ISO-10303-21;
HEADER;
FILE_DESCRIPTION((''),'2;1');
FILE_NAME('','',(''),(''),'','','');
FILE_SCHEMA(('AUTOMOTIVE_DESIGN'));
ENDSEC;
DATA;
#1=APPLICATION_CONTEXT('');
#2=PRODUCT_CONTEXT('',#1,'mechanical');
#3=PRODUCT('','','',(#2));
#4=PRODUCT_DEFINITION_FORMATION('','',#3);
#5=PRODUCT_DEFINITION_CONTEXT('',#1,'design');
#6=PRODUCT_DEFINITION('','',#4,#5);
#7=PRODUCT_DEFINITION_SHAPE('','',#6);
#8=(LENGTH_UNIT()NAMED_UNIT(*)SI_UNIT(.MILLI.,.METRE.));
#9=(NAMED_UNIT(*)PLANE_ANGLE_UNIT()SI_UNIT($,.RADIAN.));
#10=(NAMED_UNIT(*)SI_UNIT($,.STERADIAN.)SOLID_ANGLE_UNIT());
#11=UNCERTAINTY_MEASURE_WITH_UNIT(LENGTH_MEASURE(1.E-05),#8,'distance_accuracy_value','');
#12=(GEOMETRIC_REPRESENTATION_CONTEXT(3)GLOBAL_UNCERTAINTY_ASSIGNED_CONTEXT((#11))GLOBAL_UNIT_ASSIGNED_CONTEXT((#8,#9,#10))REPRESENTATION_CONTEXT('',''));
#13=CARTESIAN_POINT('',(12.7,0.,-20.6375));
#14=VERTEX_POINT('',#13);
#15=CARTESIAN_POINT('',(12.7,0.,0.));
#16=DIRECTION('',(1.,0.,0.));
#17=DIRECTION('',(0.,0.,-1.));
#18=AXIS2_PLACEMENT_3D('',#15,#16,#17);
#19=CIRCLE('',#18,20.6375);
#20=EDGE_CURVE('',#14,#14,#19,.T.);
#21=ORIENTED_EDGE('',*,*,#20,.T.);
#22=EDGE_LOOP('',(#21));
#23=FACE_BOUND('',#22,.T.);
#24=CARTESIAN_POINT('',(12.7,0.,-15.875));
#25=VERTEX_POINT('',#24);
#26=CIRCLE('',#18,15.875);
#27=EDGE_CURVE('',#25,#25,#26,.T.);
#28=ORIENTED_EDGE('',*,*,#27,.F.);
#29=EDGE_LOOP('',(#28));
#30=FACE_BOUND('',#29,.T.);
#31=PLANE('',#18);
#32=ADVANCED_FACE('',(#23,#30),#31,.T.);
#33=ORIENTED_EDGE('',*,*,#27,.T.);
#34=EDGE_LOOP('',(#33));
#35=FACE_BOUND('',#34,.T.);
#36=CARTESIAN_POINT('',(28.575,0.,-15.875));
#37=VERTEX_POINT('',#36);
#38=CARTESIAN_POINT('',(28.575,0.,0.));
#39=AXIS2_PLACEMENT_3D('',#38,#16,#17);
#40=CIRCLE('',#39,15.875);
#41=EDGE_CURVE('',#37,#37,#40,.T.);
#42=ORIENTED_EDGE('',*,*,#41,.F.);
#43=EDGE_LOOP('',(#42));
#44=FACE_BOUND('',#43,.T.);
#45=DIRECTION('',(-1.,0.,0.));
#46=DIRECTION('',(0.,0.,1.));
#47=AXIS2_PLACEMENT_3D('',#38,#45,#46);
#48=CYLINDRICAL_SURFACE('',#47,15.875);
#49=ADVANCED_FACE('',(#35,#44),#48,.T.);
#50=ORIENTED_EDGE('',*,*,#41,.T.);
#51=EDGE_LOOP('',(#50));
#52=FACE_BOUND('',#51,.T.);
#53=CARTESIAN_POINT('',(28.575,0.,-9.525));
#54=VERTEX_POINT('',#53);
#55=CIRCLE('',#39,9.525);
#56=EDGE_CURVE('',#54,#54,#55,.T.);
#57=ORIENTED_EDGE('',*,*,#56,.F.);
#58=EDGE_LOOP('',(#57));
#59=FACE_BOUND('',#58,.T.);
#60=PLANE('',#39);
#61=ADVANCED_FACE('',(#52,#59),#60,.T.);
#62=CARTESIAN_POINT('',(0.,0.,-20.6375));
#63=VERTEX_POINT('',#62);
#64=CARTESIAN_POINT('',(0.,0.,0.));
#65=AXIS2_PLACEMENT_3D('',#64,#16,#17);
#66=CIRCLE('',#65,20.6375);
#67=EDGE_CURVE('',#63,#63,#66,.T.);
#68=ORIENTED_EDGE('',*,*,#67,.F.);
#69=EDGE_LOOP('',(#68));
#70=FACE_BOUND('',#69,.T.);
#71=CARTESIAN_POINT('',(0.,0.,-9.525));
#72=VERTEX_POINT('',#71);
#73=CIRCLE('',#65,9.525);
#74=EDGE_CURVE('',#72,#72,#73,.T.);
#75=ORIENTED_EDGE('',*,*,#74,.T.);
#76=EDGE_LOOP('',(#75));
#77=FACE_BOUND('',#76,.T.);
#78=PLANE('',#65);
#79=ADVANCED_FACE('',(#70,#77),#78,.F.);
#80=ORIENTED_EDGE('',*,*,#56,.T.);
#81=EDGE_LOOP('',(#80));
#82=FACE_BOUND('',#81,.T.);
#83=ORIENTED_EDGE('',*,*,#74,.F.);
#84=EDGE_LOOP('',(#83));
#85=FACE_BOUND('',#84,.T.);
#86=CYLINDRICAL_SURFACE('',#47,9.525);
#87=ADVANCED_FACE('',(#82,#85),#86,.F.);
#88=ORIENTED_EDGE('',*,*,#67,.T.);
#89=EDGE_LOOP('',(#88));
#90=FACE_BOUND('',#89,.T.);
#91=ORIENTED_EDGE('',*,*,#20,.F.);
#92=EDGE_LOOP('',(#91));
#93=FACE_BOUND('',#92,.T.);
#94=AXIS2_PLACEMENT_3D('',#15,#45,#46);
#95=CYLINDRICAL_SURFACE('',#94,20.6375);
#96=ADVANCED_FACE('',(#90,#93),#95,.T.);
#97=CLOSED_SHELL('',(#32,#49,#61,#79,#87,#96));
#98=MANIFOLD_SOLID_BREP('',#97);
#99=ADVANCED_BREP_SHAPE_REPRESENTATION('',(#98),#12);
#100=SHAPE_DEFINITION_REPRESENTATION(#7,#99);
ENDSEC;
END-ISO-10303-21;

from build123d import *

# Parameters (mm, degrees)
SKETCH1_R           = 15.875
SKETCH1_R_2         = 9.525
BOSS_EXTRUDE1_DEPTH = 28.575
SKETCH1_3_R         = 20.6375
SKETCH1_3_R_2       = 15.875
BOSS_EXTRUDE2_DEPTH = 12.7


with BuildPart() as part:
    # Sketch1 → Boss-Extrude1 (new body)
    with BuildSketch(Plane(origin=(0, 0, 0), x_dir=(0, 0, -1), z_dir=(1, 0, 0))):
        Circle(SKETCH1_R)
        Circle(SKETCH1_R_2, mode=Mode.SUBTRACT)
    extrude(amount=BOSS_EXTRUDE1_DEPTH)

    # Sketch1<3> → Boss-Extrude2 (add)
    with BuildSketch(Plane(origin=(0, 0, 0), x_dir=(0, 0, -1), z_dir=(1, 0, 0))):
        Circle(SKETCH1_3_R)
        Circle(SKETCH1_3_R_2, mode=Mode.SUBTRACT)
    extrude(amount=BOSS_EXTRUDE2_DEPTH)


solid = part.part
